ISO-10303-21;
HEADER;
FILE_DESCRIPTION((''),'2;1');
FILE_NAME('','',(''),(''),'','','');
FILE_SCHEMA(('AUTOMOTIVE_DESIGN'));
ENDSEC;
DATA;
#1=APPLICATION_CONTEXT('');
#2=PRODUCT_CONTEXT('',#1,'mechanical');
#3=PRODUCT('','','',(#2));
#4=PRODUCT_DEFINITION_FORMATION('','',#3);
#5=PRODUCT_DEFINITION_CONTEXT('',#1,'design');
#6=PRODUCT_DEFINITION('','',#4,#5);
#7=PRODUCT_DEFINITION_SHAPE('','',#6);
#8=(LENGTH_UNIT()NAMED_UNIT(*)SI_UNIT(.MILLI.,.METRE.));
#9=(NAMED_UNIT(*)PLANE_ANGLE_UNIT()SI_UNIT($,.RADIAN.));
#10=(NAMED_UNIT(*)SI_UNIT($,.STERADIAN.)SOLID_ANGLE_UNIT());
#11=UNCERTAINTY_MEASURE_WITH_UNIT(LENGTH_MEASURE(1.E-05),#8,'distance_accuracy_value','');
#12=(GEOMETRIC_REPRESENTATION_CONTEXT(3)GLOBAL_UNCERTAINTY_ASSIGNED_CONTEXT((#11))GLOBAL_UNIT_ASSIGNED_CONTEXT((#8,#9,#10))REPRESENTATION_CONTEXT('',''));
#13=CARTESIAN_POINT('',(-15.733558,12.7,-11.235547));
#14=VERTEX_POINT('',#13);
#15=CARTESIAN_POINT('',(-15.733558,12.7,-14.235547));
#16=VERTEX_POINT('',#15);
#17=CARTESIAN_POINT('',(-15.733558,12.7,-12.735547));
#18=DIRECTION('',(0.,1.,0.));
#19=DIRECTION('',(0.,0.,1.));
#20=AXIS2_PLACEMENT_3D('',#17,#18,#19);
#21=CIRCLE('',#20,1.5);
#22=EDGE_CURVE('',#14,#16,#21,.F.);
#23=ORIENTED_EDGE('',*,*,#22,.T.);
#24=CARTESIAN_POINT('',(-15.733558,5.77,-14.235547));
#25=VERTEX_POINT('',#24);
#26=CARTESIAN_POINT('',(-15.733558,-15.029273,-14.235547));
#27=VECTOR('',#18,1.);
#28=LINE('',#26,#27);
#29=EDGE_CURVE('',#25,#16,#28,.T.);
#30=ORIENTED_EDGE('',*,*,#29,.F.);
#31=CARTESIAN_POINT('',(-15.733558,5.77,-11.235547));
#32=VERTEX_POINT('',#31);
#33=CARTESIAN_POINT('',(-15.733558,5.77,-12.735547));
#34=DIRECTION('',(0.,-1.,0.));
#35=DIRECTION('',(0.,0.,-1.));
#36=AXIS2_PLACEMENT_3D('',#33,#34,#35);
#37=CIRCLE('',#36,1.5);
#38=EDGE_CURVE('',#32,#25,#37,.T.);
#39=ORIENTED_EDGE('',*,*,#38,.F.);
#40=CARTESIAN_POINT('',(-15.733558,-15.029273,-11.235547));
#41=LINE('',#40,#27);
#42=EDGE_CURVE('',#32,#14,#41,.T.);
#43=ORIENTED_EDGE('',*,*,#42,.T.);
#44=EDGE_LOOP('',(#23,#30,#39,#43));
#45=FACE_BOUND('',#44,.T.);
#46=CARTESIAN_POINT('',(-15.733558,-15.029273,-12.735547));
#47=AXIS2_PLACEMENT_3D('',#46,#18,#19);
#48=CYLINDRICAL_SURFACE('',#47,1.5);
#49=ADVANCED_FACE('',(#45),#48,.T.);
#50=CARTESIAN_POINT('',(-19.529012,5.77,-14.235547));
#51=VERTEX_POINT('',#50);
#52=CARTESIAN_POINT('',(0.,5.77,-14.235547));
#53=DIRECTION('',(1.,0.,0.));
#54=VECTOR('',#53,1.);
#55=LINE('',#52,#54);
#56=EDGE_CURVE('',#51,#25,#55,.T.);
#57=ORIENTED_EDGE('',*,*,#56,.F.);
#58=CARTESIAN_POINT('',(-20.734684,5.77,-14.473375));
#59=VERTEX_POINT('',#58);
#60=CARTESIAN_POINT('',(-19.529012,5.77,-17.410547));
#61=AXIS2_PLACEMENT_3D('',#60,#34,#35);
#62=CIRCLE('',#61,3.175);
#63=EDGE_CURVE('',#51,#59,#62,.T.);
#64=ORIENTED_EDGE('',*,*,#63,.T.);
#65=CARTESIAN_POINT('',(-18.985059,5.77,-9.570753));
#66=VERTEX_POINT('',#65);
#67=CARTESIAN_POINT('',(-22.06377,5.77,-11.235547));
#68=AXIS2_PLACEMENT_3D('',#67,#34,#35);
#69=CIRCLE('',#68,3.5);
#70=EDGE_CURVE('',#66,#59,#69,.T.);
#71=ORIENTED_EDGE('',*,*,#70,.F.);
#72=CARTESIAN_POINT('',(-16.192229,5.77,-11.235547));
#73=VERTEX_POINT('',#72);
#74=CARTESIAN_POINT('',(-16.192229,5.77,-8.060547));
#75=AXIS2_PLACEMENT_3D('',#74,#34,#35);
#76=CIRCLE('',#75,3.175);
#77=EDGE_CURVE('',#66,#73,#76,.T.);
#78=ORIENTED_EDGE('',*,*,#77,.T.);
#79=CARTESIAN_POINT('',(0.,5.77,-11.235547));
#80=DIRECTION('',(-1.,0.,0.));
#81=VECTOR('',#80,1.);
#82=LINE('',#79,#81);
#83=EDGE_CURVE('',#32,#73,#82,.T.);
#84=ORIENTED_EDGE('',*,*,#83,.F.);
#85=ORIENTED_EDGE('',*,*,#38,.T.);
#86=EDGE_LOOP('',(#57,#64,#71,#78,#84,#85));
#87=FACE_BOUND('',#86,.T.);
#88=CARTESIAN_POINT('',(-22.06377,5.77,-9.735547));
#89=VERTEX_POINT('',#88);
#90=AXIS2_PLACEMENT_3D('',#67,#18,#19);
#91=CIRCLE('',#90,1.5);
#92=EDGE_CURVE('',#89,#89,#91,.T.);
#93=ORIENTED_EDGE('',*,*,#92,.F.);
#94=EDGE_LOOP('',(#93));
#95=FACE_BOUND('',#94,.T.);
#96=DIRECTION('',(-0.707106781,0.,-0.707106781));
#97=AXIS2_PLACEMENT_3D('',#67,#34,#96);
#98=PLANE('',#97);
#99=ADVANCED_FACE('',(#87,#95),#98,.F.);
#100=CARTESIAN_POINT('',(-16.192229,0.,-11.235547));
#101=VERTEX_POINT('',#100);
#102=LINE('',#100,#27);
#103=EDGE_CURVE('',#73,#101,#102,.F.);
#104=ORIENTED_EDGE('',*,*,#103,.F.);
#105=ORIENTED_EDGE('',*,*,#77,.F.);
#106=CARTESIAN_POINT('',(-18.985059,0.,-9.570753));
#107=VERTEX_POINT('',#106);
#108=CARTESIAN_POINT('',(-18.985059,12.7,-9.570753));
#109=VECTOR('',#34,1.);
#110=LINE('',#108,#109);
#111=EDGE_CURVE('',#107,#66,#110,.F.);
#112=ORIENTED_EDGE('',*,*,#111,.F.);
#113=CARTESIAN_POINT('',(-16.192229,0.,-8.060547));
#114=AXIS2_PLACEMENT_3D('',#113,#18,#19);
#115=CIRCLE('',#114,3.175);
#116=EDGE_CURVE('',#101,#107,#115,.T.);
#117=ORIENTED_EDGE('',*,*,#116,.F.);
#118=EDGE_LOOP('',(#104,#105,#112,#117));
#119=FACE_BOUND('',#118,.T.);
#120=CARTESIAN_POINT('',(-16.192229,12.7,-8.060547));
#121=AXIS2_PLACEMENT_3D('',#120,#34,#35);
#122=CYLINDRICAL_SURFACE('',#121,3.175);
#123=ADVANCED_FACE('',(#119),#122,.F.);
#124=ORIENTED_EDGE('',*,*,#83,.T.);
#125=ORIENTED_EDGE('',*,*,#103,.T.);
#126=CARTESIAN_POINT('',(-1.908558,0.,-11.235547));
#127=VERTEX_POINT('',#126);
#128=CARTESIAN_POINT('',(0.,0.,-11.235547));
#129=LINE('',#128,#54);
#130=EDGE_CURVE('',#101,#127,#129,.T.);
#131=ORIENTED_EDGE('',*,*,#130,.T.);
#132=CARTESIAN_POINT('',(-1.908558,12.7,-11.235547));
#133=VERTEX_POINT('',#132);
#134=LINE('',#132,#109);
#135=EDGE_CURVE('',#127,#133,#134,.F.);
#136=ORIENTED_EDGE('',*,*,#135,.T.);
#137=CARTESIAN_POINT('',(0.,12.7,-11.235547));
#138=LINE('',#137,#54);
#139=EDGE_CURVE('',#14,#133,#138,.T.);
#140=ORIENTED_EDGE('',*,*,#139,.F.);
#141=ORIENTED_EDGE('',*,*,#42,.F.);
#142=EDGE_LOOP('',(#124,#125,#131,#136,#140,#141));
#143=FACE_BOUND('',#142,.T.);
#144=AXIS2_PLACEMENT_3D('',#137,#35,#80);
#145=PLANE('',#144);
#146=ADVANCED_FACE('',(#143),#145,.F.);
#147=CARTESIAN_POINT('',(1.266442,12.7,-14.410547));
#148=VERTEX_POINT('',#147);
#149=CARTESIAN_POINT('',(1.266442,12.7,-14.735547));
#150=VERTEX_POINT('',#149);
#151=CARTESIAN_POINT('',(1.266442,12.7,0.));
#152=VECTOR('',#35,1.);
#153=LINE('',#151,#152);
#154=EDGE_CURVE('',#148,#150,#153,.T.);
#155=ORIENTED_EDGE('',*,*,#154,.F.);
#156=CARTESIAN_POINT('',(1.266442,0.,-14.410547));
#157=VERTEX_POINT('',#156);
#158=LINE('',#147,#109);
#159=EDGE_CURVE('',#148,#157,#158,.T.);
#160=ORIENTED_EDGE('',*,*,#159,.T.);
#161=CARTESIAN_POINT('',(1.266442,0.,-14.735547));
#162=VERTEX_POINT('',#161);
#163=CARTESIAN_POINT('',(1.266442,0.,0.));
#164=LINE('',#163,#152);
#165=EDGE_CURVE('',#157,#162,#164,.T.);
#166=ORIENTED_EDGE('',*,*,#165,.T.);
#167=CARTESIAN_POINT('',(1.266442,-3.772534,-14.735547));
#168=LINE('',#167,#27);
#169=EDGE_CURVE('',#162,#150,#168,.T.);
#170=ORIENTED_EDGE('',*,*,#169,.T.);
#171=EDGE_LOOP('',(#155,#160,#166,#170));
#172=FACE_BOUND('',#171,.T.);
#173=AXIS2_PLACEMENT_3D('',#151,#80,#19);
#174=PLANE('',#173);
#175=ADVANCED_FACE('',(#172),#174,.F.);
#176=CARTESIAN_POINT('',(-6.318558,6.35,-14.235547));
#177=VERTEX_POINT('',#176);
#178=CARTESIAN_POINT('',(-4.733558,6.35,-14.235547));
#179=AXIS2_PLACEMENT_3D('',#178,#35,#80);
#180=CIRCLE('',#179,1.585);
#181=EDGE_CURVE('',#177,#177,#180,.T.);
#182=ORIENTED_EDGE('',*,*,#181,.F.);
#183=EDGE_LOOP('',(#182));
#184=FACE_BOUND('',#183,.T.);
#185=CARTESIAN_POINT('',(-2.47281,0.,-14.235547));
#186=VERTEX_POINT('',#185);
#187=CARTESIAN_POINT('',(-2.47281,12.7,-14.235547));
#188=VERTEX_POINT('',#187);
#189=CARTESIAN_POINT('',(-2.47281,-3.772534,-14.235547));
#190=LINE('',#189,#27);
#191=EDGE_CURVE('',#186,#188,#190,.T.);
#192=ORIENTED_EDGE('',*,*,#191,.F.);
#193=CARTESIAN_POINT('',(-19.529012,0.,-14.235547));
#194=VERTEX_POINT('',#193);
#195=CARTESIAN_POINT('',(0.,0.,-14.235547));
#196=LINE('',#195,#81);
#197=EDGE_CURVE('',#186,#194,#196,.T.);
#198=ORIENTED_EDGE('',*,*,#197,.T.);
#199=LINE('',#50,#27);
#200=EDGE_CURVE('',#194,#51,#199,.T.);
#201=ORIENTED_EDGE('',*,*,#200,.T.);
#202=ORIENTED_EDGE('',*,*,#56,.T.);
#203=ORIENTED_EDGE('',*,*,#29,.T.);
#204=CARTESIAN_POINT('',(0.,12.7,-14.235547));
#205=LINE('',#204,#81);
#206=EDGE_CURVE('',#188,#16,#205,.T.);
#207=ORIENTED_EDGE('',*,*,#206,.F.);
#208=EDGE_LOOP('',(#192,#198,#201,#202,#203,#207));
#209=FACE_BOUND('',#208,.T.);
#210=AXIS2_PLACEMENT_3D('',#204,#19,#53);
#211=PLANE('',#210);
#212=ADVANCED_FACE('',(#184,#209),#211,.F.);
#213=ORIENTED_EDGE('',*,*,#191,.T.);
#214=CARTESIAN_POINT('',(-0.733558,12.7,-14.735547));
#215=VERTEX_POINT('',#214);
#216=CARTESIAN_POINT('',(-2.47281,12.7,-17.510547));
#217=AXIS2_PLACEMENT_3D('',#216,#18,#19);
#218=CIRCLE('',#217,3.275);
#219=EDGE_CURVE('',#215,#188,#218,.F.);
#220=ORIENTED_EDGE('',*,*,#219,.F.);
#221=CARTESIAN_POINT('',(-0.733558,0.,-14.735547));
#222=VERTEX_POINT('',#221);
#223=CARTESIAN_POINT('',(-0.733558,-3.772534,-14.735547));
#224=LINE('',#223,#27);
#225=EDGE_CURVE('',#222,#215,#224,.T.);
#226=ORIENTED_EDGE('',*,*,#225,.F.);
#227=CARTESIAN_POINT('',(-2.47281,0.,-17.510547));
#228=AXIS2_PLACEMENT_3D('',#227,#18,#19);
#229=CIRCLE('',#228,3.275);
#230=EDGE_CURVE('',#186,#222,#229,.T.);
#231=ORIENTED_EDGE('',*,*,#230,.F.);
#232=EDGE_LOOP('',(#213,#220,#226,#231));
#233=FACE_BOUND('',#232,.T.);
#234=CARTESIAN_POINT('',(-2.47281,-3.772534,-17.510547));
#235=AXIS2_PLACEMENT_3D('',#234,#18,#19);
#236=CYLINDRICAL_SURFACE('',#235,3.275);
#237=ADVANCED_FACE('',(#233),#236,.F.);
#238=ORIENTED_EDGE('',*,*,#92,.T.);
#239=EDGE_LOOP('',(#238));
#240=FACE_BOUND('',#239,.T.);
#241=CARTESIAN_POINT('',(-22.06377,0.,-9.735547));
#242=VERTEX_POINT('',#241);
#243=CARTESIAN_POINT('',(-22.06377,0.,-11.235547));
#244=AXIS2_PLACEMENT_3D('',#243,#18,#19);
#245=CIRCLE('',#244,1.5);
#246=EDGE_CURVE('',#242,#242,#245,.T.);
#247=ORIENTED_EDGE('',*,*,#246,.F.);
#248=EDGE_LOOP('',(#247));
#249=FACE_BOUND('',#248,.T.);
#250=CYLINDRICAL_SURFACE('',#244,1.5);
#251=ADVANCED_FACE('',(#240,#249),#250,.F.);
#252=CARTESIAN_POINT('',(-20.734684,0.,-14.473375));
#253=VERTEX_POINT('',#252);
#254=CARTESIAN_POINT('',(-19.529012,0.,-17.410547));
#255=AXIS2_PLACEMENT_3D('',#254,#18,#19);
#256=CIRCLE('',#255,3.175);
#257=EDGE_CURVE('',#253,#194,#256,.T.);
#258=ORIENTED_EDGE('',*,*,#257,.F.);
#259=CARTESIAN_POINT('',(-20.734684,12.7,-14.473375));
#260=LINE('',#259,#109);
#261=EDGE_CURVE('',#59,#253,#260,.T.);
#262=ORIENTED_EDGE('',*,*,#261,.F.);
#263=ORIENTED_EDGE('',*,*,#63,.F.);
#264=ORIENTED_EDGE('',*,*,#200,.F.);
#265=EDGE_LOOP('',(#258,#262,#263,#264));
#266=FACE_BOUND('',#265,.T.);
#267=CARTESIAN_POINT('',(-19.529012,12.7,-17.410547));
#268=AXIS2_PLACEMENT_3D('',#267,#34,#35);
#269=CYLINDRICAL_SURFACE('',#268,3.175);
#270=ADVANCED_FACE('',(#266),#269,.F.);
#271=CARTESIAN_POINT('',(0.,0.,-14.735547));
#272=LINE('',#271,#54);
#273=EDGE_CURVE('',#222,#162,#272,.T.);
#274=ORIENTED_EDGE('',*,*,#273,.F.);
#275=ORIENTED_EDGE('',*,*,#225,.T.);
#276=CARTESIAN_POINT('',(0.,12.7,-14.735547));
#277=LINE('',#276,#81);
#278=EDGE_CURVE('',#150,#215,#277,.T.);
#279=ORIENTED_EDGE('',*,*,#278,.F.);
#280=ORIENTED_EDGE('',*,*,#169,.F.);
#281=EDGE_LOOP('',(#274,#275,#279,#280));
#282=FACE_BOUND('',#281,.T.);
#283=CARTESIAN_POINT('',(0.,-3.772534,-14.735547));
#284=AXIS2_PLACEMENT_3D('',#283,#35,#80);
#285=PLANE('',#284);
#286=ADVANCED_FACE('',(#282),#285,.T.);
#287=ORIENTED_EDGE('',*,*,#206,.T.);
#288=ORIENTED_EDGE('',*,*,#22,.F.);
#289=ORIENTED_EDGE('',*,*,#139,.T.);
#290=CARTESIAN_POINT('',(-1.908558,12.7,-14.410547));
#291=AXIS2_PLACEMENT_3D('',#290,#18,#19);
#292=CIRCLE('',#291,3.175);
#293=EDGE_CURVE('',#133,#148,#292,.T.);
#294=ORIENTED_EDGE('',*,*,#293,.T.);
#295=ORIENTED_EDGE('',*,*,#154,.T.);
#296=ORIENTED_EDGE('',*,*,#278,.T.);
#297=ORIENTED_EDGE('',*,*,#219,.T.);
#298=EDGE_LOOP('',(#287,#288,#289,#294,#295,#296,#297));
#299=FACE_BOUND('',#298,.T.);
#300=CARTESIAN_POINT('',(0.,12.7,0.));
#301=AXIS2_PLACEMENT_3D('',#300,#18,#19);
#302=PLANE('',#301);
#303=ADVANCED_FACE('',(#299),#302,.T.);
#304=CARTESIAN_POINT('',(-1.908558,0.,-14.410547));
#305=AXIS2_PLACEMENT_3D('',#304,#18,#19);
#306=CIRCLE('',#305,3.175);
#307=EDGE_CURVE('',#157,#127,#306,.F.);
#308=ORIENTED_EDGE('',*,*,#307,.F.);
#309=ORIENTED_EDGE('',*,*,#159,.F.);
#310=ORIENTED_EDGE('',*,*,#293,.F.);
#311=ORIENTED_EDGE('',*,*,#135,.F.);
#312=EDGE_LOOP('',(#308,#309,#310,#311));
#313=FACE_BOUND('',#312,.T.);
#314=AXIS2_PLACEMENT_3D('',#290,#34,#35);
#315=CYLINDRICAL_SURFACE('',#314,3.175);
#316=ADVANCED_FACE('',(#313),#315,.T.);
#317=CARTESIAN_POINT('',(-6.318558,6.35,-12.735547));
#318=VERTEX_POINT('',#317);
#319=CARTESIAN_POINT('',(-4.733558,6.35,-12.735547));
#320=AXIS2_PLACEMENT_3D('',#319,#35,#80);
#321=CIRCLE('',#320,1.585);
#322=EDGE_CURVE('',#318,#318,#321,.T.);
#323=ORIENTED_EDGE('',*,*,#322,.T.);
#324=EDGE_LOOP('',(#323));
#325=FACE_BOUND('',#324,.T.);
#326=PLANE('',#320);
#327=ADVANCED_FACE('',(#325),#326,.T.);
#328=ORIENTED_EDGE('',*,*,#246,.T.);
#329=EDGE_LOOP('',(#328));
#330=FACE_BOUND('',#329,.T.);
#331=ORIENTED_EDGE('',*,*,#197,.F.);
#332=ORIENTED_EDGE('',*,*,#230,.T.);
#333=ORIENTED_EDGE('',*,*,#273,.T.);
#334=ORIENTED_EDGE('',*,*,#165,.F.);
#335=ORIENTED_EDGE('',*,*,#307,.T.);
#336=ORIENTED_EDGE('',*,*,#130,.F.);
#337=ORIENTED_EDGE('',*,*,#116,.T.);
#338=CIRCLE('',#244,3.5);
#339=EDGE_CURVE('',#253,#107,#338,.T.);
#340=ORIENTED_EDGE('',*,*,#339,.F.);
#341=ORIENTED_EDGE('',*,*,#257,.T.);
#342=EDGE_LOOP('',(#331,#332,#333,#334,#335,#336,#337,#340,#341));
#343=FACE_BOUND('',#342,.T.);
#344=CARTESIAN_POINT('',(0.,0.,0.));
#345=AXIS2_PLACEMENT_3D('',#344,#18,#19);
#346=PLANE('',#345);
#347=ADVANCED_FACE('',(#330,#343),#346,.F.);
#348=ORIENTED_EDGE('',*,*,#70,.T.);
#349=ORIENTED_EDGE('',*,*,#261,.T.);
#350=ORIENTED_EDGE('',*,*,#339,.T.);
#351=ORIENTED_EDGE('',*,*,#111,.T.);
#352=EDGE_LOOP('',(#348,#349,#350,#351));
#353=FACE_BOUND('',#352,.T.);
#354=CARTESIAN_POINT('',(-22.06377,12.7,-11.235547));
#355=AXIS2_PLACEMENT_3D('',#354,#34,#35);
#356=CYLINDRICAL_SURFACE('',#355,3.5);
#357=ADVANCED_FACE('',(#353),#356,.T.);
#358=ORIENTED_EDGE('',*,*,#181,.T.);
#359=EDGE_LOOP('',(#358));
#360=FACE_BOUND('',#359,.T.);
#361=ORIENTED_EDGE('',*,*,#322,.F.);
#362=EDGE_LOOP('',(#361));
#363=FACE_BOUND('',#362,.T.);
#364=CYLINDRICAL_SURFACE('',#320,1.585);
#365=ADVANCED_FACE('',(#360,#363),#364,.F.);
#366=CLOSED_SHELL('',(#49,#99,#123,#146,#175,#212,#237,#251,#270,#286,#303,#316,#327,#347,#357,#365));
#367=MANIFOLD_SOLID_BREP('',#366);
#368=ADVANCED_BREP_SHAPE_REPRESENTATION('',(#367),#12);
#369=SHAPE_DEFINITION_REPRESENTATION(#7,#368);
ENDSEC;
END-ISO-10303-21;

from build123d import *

# Parameters (mm, degrees)
SKETCH1_R           = 3.5
BOSS_EXTRUDE1_DEPTH = 12.7
CUT_EXTRUDE1_START  = -6.93
CUT_EXTRUDE1_DEPTH  = 6.93
SKETCH3_R           = 1.5
CUT_EXTRUDE2_DEPTH  = 6.77
SKETCH4_W           = 2
SKETCH4_H           = 0.5
BOSS_EXTRUDE2_DEPTH = 12.7
FILLET1_R           = 3.175
SKETCH5_R           = 2
CUT_EXTRUDE3_DEPTH  = 10
SKETCH6_R           = 1.585
CUT_EXTRUDE4_DEPTH  = 1.5


with BuildPart() as part:
    # Sketch1 → Boss-Extrude1 (new body)
    with BuildSketch(Plane(origin=(0, 0, 0), x_dir=(1, 0, 0), z_dir=(0, 1, 0))):
        with Locations((-22.063770306, 11.23554707)):
            Circle(SKETCH1_R)
        with BuildLine():
            ThreePointArc((-20.260994668, 14.23554707), (-19.017484475, 12.958957246), (-18.563770306, 11.23554707))
            Line((-18.563770306, 11.23554707), (1.266442488, 11.23554707))
            Line((1.266442488, 11.23554707), (1.266442488, 14.23554707))
            Line((1.266442488, 14.23554707), (-20.260994668, 14.23554707))
        make_face()
    extrude(amount=BOSS_EXTRUDE1_DEPTH)

    # Sketch2 → Cut-Extrude1 (cut)
    with BuildSketch(Plane(origin=(0, 12.7, 0), x_dir=(1, 0, 0), z_dir=(0, 1, 0)).offset(CUT_EXTRUDE1_START)):
        with BuildLine():
            Line((-18.563770306, 11.23554707), (-15.733557512, 11.23554707))
            ThreePointArc((-15.733557512, 11.23554707), (-17.233557512, 12.73554707), (-15.733557512, 14.23554707))
            Line((-15.733557512, 14.23554707), (-20.260994668, 14.23554707))
            ThreePointArc((-20.260994668, 14.23554707), (-25.110056137, 9.512136894), (-18.563770306, 11.23554707))
        make_face()
    extrude(amount=CUT_EXTRUDE1_DEPTH, mode=Mode.SUBTRACT)

    # Sketch3 → Cut-Extrude2 (cut, through all)
    with BuildSketch(Plane(origin=(0, 5.77, 0), x_dir=(1, 0, 0), z_dir=(0, 1, 0))):
        with Locations(Location((-22.063770306, 11.23554707, 0), (0, 0, 270))):  # turned: the seam where the file's is
            Circle(SKETCH3_R)
    extrude(amount=-CUT_EXTRUDE2_DEPTH, mode=Mode.SUBTRACT)

    # Sketch4 → Boss-Extrude2 (add)
    with BuildSketch(Plane(origin=(0, 12.7, 0), x_dir=(1, 0, 0), z_dir=(0, 1, 0))):
        with Locations((0.266442488, 14.48554707)):
            Rectangle(SKETCH4_W, SKETCH4_H)
        with BuildLine():
            Line((-2.472810226, 14.23554707), (-0.733557512, 14.23554707))
            Line((-0.733557512, 14.23554707), (-0.733557512, 14.73554707))
            ThreePointArc((-0.733557512, 14.73554707), (-1.567962172, 14.363028206), (-2.472810226, 14.23554707))
        make_face()
    extrude(amount=-BOSS_EXTRUDE2_DEPTH)

    # Fillet1
    fillet1_edges = [part.edges().sort_by_distance(p)[0] for p in [
        (-20.260994668, 2.885, -14.23554707),
        (-18.563770306, 2.885, -11.23554707),
        (1.266442488, 6.35, -11.23554707),
    ]]
    fillet(fillet1_edges, radius=FILLET1_R)

    # Sketch5 → Cut-Extrude3 (cut)
    with BuildSketch(Plane(origin=(0, 0, -14.23554707), x_dir=(-1, 0, 0), z_dir=(0, 0, -1))):
        with Locations((-37.221491695, -42.831378851)):
            Circle(SKETCH5_R)
        with Locations((-37.221491695, -47.531378851)):
            Circle(SKETCH5_R)
    extrude(amount=-CUT_EXTRUDE3_DEPTH, mode=Mode.SUBTRACT)

    # Sketch6 → Cut-Extrude4 (cut)
    with BuildSketch(Plane(origin=(0, 0, -14.23554707), x_dir=(-1, 0, 0), z_dir=(0, 0, -1))):
        with Locations((4.733557512, 6.35)):
            Circle(SKETCH6_R)
    extrude(amount=-CUT_EXTRUDE4_DEPTH, mode=Mode.SUBTRACT)


solid = part.part
